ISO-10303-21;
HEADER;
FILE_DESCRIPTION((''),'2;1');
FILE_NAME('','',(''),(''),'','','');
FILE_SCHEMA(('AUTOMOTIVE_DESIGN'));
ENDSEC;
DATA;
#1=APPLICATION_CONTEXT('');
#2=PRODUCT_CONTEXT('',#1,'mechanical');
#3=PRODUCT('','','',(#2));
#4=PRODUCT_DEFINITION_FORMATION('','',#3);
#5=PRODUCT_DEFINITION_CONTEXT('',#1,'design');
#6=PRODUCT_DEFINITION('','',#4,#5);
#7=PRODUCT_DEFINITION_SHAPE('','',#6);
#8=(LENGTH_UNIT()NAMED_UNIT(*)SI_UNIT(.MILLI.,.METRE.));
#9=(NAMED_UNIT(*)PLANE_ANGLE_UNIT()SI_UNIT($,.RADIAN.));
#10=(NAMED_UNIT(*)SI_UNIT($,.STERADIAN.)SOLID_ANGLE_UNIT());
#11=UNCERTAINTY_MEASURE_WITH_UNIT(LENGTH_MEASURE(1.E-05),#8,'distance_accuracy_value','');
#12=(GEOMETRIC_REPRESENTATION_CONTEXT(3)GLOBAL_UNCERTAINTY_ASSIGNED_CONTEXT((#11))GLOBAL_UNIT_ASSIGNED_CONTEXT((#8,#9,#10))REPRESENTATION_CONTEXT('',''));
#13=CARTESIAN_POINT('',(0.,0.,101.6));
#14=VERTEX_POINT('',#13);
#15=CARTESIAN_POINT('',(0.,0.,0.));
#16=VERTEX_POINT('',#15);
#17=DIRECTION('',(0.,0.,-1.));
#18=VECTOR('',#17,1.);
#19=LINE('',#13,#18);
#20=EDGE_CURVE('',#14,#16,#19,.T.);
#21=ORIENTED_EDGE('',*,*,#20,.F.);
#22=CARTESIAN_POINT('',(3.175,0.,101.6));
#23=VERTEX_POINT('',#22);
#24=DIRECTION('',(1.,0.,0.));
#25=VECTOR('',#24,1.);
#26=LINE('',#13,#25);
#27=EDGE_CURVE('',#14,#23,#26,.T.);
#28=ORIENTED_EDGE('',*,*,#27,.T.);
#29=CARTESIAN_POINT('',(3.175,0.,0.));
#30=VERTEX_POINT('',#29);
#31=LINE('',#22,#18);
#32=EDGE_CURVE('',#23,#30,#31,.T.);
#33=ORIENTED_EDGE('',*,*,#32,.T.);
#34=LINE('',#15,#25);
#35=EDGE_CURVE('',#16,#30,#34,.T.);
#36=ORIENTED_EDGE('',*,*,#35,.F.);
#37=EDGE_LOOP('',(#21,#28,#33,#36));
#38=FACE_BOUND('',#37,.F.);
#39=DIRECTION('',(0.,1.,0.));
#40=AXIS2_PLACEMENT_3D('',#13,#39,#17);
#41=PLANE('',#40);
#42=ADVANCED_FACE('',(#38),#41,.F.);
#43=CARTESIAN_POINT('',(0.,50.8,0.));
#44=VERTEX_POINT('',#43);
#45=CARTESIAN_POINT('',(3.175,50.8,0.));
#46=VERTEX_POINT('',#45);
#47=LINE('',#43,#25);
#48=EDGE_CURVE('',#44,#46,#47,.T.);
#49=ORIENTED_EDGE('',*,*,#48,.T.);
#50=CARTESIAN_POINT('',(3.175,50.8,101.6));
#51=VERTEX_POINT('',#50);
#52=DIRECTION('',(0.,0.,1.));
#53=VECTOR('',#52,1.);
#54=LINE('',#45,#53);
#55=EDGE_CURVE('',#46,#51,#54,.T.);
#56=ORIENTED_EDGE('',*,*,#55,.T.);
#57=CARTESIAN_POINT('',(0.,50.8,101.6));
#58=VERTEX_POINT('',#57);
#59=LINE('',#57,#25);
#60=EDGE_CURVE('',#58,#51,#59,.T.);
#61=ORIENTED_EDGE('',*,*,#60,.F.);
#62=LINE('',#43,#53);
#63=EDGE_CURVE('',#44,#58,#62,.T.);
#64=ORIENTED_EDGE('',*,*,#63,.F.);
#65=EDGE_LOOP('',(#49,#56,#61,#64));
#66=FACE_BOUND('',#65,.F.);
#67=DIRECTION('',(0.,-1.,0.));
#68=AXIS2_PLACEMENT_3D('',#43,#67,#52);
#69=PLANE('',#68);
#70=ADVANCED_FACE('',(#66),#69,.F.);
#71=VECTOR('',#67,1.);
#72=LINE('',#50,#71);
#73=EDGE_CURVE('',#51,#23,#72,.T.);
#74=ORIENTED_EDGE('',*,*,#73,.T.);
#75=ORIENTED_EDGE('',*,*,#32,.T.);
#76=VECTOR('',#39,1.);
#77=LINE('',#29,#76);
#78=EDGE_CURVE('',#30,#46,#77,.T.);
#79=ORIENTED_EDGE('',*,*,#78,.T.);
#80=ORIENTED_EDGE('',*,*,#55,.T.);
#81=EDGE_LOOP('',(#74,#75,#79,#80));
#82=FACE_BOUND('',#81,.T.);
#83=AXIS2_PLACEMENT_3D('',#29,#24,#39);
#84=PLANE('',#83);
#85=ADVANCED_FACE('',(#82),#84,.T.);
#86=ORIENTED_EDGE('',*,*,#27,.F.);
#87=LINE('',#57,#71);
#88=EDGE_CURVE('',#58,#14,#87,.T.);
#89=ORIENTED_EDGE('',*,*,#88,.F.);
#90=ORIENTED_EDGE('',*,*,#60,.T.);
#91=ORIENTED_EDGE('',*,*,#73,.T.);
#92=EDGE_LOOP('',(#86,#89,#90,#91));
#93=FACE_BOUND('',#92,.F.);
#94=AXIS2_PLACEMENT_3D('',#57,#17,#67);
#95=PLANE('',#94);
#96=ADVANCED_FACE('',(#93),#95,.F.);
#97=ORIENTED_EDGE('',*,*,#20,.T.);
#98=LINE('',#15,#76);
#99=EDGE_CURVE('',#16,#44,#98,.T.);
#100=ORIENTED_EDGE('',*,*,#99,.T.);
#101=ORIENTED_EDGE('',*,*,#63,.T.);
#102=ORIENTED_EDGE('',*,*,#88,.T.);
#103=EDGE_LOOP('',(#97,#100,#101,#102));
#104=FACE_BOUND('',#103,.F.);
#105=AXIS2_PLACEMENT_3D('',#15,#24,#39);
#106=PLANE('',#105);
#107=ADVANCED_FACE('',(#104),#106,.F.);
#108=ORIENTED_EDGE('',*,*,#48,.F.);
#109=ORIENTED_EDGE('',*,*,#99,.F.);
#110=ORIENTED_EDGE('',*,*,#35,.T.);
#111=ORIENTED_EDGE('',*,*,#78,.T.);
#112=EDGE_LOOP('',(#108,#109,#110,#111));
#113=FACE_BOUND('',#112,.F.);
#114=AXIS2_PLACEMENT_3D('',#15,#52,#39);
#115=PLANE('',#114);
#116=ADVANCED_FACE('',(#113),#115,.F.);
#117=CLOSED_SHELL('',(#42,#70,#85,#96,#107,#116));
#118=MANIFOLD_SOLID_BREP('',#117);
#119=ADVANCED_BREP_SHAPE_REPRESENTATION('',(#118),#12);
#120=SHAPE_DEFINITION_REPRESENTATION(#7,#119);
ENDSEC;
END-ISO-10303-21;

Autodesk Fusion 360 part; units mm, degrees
sketch "Sketch1" plane through (0, 0, 0) normal (1, 0, 0) x (0, 1, 0)
  line L0 (0, 0) -> (50.8, 0)
  line L1 (50.8, 0) -> (50.8, 101.6)
  line L2 (50.8, 101.6) -> (0, 101.6)
  line L3 (0, 101.6) -> (0, 0)
  dimension "d1" = 50.8
  dimension "d2" = 101.6
extrude "Extrude1" add sketch "Sketch1" along normal blind 3.175
